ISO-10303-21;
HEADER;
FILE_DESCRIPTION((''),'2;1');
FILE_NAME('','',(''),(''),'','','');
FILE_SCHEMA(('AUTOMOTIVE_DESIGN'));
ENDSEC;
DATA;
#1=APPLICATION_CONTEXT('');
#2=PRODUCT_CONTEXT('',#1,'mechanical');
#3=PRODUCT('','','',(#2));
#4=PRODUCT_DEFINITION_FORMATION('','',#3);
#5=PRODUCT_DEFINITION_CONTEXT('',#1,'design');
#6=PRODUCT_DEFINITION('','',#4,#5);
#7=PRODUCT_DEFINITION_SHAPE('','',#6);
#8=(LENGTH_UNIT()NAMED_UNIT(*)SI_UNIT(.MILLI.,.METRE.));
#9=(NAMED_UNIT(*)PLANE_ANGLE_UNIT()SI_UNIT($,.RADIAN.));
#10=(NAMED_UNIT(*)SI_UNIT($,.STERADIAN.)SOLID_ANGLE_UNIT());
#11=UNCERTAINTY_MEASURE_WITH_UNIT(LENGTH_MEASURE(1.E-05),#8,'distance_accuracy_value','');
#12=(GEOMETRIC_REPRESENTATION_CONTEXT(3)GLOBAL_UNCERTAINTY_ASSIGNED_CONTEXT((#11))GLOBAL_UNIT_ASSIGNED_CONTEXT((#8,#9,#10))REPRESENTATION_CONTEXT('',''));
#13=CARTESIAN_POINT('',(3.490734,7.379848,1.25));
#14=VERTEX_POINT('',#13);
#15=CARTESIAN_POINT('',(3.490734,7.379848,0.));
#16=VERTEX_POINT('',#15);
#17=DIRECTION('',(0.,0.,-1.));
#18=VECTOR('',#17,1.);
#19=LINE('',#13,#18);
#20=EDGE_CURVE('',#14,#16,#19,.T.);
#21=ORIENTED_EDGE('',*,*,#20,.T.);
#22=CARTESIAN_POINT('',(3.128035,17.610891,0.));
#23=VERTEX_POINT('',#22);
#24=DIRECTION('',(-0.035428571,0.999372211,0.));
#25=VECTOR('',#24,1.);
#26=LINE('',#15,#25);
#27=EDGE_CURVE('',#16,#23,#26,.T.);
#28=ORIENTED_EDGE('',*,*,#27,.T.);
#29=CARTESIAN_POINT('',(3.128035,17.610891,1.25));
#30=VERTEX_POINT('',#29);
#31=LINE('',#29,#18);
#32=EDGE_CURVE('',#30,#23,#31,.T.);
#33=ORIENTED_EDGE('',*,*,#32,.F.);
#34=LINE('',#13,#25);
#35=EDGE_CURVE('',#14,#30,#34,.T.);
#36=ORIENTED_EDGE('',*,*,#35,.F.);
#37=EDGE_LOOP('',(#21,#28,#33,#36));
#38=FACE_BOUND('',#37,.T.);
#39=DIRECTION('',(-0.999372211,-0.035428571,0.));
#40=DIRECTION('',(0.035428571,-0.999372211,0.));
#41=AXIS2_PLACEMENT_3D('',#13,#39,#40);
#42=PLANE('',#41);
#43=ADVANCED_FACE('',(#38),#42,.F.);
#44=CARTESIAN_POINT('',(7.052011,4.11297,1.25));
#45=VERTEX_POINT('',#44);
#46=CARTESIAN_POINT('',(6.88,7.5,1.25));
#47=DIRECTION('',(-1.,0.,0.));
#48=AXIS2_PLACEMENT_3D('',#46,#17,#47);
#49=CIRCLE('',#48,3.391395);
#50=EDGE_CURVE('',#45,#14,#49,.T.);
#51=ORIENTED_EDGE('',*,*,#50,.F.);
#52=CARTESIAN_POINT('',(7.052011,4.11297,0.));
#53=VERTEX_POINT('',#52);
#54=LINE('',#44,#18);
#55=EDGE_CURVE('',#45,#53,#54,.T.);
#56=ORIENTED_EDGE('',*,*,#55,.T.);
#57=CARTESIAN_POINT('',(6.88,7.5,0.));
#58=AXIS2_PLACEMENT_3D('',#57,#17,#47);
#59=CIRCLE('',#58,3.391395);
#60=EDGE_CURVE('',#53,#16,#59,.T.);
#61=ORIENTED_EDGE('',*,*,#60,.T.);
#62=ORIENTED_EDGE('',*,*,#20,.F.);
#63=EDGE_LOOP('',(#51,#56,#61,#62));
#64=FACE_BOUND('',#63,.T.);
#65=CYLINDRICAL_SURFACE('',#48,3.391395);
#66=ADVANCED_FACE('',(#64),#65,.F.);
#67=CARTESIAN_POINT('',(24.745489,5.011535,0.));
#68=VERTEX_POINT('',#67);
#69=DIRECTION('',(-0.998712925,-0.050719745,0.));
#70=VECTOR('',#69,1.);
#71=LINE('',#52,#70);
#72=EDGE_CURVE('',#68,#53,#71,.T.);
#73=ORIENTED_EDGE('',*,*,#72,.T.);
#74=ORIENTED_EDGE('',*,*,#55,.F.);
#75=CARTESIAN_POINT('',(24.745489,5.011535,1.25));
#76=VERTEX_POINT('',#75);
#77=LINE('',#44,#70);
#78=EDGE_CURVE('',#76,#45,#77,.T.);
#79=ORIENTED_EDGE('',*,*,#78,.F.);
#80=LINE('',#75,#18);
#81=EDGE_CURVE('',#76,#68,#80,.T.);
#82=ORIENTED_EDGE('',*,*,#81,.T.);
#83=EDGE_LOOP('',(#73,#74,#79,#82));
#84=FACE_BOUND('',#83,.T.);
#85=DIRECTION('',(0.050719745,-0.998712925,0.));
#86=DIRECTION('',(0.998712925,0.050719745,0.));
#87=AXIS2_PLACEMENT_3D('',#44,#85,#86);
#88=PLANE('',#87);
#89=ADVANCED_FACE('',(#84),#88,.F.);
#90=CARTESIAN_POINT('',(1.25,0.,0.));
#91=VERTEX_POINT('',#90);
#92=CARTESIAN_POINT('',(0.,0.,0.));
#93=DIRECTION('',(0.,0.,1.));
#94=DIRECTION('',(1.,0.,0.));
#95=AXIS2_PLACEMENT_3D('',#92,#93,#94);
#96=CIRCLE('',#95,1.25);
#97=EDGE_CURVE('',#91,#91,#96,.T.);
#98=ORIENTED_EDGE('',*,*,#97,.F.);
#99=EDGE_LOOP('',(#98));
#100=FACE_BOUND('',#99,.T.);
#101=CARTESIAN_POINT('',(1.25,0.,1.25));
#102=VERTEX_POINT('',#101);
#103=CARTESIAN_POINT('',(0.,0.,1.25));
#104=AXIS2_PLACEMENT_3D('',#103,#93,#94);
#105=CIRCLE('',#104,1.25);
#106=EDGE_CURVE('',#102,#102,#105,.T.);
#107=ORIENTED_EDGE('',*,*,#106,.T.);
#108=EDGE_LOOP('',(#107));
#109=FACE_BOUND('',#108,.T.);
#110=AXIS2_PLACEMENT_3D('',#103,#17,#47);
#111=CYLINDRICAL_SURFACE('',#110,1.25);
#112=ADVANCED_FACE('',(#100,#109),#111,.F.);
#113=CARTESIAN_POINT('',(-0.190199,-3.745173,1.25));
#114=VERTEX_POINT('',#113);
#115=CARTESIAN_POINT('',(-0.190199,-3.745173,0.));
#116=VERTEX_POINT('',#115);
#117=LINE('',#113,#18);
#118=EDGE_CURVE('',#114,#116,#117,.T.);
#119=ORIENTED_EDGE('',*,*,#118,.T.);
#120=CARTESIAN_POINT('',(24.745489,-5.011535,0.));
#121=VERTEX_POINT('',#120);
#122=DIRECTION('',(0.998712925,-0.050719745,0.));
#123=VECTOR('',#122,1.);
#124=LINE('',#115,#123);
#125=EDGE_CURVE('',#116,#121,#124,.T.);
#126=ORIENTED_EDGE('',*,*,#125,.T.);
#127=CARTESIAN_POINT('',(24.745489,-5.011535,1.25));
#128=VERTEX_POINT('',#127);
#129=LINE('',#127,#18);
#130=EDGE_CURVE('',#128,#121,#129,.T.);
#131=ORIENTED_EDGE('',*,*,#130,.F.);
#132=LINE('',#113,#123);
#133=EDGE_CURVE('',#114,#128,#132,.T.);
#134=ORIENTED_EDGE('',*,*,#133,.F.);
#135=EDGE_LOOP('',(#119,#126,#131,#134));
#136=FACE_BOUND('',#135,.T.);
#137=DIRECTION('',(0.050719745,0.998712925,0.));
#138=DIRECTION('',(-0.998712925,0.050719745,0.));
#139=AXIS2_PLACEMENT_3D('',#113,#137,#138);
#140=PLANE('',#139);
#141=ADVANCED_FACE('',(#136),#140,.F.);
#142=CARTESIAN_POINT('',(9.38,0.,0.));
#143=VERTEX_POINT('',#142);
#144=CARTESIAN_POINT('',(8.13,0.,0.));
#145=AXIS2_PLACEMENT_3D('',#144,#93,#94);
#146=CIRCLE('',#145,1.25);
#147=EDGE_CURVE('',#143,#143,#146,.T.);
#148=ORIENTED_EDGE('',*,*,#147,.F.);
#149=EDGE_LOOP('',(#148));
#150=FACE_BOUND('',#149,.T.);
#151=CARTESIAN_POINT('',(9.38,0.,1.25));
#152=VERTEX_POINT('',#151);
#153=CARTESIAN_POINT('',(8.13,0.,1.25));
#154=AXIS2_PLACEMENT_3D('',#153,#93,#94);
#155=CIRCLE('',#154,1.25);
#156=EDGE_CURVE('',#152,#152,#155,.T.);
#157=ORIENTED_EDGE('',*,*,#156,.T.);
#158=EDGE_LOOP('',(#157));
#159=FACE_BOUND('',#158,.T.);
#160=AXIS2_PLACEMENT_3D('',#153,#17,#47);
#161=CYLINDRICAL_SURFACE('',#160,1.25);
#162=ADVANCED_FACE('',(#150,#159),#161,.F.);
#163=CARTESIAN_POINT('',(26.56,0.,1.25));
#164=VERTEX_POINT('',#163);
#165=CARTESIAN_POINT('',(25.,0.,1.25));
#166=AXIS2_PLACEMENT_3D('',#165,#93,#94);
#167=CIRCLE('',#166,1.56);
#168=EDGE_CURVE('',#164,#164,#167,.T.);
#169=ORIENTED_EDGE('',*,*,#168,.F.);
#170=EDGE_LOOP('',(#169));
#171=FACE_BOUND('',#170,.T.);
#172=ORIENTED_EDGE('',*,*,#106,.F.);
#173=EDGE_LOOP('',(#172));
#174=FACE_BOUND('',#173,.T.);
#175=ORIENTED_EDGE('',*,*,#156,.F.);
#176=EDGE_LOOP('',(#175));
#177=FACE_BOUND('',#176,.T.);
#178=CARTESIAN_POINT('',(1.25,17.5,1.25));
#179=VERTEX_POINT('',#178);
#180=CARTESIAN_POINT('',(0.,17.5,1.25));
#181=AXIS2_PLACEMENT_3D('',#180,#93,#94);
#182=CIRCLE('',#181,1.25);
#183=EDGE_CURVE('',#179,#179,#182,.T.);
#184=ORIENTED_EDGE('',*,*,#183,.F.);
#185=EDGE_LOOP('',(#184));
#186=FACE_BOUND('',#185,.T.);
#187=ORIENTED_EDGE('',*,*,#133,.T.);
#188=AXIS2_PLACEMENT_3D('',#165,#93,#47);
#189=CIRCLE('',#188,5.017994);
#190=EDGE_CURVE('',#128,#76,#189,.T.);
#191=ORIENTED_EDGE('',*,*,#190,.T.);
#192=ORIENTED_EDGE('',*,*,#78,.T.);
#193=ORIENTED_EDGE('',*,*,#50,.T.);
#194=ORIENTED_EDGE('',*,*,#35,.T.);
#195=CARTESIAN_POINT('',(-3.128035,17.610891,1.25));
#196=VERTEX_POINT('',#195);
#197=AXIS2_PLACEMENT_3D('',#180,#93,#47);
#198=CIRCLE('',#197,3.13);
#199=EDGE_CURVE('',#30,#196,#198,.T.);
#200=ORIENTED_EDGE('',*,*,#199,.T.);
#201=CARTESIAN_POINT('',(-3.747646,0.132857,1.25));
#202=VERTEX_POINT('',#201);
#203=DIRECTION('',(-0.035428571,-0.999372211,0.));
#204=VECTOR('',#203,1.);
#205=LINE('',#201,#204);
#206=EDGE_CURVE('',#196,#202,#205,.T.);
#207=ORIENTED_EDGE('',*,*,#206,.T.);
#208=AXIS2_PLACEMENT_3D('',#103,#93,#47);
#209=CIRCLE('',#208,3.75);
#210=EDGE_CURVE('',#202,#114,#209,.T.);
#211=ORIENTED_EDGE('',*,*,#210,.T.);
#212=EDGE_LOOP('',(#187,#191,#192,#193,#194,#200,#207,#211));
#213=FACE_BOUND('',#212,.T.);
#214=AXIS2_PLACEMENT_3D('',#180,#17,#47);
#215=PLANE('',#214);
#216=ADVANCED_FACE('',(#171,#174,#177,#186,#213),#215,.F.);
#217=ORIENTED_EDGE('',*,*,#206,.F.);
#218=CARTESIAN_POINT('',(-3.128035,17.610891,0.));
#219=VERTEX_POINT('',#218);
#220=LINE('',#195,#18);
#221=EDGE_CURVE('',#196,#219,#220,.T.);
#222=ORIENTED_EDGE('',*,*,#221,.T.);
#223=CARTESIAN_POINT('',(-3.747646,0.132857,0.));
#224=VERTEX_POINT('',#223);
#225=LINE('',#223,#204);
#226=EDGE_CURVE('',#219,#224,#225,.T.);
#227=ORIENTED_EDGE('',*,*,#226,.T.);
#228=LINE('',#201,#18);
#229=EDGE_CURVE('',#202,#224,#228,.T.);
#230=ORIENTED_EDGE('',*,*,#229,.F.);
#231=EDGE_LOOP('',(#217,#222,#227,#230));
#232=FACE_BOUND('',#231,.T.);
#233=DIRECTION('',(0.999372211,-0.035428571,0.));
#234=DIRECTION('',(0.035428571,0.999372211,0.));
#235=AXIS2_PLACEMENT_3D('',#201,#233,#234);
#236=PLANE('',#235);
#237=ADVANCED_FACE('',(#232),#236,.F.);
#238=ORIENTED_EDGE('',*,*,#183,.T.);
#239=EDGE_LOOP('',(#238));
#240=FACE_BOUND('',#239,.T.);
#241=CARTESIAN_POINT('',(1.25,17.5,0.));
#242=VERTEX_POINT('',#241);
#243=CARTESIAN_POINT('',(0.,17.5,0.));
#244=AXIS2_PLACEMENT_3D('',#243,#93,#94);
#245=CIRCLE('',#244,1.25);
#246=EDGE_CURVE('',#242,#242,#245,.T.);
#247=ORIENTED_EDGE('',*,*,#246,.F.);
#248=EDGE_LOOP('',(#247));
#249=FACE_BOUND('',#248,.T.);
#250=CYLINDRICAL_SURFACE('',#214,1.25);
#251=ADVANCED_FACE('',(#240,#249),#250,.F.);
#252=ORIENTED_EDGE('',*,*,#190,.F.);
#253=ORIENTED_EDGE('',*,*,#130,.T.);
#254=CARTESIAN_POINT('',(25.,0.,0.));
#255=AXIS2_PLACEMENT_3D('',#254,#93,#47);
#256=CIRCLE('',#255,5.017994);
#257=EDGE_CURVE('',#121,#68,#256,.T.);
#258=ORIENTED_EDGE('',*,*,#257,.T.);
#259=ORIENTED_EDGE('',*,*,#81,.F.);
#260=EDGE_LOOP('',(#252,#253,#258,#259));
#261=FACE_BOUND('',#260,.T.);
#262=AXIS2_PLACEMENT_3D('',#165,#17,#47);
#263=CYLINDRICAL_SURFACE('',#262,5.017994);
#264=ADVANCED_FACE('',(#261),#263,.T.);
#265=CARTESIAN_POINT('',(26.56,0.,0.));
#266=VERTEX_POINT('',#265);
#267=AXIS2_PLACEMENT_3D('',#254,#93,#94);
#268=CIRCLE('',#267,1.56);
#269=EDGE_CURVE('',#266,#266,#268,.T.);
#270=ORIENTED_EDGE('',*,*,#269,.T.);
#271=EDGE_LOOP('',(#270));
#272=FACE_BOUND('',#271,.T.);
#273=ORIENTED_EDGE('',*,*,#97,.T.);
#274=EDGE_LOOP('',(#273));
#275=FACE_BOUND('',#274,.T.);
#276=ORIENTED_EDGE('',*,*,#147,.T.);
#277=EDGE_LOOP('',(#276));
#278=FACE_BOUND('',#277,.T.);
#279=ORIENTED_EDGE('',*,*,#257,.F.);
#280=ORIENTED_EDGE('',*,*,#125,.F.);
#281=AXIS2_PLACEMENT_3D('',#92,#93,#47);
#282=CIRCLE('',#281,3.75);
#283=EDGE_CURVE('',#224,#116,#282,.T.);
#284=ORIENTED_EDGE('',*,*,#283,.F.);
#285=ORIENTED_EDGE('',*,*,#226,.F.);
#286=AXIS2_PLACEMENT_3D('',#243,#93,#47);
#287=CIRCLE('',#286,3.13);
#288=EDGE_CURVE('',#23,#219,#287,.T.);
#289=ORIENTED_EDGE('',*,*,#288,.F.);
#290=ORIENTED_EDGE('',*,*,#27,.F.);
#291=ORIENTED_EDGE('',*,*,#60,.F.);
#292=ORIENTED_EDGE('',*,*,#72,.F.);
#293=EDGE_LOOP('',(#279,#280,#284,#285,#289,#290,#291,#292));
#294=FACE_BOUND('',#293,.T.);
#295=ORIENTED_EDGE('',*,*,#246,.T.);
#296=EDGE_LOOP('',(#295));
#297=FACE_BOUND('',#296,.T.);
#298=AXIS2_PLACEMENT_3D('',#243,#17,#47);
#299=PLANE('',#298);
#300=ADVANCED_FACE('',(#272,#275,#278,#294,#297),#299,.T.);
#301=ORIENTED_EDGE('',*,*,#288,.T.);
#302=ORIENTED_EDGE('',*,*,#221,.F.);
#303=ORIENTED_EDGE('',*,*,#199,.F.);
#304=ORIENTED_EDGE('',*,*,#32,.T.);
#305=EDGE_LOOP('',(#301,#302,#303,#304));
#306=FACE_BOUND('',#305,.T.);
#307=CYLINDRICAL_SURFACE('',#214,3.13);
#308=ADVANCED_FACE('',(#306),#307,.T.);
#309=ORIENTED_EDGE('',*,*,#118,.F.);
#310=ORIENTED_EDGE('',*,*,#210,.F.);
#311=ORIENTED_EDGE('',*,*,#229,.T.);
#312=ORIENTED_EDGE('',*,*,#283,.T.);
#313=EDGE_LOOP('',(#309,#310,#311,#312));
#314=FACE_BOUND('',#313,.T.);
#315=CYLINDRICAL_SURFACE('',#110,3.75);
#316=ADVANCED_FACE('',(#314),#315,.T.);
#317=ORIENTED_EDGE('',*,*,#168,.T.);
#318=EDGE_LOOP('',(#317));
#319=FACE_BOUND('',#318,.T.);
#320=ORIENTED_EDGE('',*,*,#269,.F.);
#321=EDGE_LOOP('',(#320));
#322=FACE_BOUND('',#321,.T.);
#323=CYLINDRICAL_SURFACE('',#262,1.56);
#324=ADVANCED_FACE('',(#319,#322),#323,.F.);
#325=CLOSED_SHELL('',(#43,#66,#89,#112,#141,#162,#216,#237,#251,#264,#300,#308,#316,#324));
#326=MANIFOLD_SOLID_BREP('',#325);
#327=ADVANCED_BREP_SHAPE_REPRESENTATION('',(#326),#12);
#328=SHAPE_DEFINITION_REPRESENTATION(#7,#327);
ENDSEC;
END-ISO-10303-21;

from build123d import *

# Parameters (mm, degrees)
SKETCH2_R           = 1.25
SKETCH2_R_2         = 1.56
BOSS_EXTRUDE1_DEPTH = 1.25


with BuildPart() as part:
    # Sketch2 → Boss-Extrude1 (new body)
    with BuildSketch(Plane.XY):
        with BuildLine():
            Line((-3.747645792, 0.132857143), (-3.128035021, 17.610891429))
            ThreePointArc((-3.128035021, 17.610891429), (0, 20.63), (3.128035021, 17.610891429))
            Line((3.128035021, 17.610891429), (3.490733982, 7.379847717))
            ThreePointArc((3.490733982, 7.379847717), (4.587445605, 5.000849133), (7.052010693, 4.11296988))
            Line((7.052010693, 4.11296988), (24.745488645, 5.011535084))
            ThreePointArc((24.745488645, 5.011535084), (30.017993615, 0), (24.745488645, -5.011535084))
            Line((24.745488645, -5.011535084), (-0.190199042, -3.745173471))
            ThreePointArc((-0.190199042, -3.745173471), (-2.763410184, -2.534968275), (-3.747645792, 0.132857143))
        make_face()
        with Locations((0, 17.5)):
            Circle(SKETCH2_R, mode=Mode.SUBTRACT)
        Circle(SKETCH2_R, mode=Mode.SUBTRACT)
        with Locations((8.13, 0)):
            Circle(SKETCH2_R, mode=Mode.SUBTRACT)
        with Locations((25, 0)):
            Circle(SKETCH2_R_2, mode=Mode.SUBTRACT)
    extrude(amount=BOSS_EXTRUDE1_DEPTH)


solid = part.part
